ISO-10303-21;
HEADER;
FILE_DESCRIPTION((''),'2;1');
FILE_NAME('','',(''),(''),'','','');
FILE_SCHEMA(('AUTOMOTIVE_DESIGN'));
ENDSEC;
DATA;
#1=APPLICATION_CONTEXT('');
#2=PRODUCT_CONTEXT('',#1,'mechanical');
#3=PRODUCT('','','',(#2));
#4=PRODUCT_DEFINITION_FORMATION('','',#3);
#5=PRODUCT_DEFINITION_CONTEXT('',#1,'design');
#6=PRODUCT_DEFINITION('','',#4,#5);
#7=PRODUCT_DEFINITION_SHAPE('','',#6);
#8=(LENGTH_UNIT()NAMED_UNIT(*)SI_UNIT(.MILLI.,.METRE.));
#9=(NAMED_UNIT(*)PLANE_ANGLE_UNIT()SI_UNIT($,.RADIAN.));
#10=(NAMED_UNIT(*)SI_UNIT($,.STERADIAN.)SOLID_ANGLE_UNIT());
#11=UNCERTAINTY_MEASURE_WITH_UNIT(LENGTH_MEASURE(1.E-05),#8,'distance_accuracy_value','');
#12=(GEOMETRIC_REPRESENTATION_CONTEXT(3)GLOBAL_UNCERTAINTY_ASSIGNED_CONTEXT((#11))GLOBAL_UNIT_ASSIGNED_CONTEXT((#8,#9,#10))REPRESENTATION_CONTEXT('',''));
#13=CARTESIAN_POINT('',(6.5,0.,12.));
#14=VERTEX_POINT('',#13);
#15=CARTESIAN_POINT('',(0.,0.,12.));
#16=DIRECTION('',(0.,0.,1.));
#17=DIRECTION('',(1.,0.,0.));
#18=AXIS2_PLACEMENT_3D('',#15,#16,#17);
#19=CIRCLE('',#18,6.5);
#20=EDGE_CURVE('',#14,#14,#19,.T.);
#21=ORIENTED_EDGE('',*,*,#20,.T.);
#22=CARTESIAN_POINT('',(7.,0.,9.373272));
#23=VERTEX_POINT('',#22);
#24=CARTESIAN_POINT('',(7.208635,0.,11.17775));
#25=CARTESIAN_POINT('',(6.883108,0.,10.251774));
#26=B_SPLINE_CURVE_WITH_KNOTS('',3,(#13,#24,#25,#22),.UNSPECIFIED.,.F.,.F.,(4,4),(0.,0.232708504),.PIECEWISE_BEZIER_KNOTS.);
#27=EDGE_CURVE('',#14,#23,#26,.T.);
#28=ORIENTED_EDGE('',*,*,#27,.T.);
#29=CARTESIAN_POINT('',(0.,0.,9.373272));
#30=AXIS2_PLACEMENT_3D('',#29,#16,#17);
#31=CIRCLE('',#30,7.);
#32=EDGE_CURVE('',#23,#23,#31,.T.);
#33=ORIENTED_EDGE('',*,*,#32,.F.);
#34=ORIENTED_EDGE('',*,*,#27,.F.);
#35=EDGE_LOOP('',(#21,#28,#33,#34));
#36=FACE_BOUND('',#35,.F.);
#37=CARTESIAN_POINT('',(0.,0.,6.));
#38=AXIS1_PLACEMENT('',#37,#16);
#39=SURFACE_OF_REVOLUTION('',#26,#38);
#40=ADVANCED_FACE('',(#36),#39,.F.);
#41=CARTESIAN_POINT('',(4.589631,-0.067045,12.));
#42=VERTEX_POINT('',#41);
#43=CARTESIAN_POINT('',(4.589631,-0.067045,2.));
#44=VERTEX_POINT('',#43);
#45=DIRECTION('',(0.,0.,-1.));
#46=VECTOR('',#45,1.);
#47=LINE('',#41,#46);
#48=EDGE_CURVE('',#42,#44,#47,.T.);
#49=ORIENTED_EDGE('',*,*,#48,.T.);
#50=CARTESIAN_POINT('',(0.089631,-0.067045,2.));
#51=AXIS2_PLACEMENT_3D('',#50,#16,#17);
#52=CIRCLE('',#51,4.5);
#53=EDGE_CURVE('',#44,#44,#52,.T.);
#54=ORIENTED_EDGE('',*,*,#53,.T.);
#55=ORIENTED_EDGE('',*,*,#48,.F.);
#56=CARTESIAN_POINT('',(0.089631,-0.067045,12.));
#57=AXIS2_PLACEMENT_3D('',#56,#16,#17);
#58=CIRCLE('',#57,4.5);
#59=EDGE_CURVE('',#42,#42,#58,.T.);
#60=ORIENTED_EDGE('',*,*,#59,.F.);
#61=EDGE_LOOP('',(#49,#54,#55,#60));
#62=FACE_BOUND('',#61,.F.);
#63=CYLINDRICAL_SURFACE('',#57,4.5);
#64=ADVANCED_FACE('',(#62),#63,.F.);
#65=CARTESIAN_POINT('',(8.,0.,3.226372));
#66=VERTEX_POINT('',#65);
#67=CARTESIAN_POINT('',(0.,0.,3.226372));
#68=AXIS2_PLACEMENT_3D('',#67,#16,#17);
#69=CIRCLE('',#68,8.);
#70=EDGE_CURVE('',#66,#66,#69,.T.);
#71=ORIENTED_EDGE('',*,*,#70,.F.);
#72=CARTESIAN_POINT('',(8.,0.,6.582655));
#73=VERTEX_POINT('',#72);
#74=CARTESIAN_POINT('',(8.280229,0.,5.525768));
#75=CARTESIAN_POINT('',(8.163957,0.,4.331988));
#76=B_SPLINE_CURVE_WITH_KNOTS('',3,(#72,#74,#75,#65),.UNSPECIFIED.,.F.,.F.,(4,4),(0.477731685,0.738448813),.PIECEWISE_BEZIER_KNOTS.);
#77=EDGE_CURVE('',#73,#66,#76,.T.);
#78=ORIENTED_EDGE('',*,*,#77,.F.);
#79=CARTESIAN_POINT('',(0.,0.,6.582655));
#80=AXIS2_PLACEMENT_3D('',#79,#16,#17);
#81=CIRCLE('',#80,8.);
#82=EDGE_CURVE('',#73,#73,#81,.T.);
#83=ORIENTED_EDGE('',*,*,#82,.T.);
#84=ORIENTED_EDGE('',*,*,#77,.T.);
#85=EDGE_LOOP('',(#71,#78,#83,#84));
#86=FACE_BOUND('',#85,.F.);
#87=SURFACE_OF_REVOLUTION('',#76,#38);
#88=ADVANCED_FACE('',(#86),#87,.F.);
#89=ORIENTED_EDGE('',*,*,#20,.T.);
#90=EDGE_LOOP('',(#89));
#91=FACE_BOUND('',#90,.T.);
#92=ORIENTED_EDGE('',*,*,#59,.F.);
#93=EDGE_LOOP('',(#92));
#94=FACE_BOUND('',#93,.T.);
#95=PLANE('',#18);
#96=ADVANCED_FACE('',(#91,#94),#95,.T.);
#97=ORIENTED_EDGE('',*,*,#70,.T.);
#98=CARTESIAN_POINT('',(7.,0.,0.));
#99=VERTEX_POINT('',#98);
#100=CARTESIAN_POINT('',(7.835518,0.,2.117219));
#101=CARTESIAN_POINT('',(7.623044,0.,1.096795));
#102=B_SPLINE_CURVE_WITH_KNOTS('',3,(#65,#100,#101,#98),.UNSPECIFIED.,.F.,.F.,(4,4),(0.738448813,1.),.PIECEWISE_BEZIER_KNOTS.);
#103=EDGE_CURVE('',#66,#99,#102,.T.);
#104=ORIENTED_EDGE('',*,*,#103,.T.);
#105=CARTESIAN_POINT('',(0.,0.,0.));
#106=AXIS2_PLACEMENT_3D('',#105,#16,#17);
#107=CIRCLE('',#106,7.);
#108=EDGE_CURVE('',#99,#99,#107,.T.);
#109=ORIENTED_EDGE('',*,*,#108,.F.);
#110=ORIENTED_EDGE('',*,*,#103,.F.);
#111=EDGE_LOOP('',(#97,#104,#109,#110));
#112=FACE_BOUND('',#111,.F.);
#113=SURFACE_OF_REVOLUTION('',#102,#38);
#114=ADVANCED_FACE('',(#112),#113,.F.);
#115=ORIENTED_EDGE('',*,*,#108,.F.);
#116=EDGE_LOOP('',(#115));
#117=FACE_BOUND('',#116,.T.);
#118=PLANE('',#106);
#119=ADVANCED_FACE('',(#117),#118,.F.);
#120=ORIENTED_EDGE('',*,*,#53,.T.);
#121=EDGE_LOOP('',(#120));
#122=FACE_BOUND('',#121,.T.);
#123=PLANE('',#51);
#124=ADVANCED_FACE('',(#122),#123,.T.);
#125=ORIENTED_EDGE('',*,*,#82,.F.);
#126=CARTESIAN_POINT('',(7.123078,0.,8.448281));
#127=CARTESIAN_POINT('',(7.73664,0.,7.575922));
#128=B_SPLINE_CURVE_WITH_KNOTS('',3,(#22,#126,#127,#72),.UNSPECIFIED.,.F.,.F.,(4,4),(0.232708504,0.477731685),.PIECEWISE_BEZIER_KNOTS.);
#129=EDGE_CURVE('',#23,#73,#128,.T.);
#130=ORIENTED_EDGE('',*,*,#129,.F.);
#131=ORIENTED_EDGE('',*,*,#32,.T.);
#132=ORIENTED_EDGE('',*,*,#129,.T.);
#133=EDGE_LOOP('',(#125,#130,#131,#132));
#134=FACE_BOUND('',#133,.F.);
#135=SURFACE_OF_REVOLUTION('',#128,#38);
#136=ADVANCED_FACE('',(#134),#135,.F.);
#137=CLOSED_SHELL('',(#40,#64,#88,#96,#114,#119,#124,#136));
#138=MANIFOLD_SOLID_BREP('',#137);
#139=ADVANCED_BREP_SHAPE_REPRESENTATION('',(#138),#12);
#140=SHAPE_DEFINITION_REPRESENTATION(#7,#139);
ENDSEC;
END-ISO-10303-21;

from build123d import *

# Parameters (mm, degrees)
F2_R     = 4.5
F3_DEPTH = 10


with BuildPart() as f1:
    # F0 (on Front) → F1 (revolve)
    with BuildSketch(Plane.XZ):
        with BuildLine():
            Line((0, 3.2263717148), (0, 0))
            Line((0, 0), (7, 0))
            add(Edge.make_bspline(
                [(8, 3.2263717148), (7.8355180596, 2.1172188949), (7.6230442191, 1.0967952544), (7, 0)],
                knots=[0.7384488125, 0.7384488125, 0.7384488125, 0.7384488125, 1, 1, 1, 1], degree=3))
            Line((8, 3.2263717148), (0, 3.2263717148))
        make_face()
        with BuildLine():
            Line((0, 6.5826545469), (0, 3.2263717148))
            Line((0, 3.2263717148), (8, 3.2263717148))
            add(Edge.make_bspline(
                [(8, 6.5826545469), (8.2802285425, 5.5257675864), (8.163957424, 4.3319875582), (8, 3.2263717148)],
                knots=[0.4777316854, 0.4777316854, 0.4777316854, 0.4777316854, 0.7384488125, 0.7384488125, 0.7384488125, 0.7384488125], degree=3))
            Line((8, 6.5826545469), (0, 6.5826545469))
        make_face()
        with BuildLine():
            Line((0, 9.3732718378), (0, 6.5826545469))
            Line((0, 6.5826545469), (8, 6.5826545469))
            add(Edge.make_bspline(
                [(7, 9.3732718378), (7.1230782609, 8.4482807569), (7.7366398984, 7.5759218809), (8, 6.5826545469)],
                knots=[0.2327085037, 0.2327085037, 0.2327085037, 0.2327085037, 0.4777316854, 0.4777316854, 0.4777316854, 0.4777316854], degree=3))
            Line((7, 9.3732718378), (0, 9.3732718378))
        make_face()
        with BuildLine():
            Line((0, 12), (0, 9.3732718378))
            Line((0, 9.3732718378), (7, 9.3732718378))
            add(Edge.make_bspline(
                [(6.5, 12), (7.2086348102, 11.1777499536), (6.8831075585, 10.2517735735), (7, 9.3732718378)],
                knots=[0, 0, 0, 0, 0.2327085037, 0.2327085037, 0.2327085037, 0.2327085037], degree=3))
            Line((6.5, 12), (0, 12))
        make_face()
    revolve(axis=Axis((0, 0, 6), (0, 0, 1)))

    # F2 (on face) → F3 (cut)
    with BuildSketch(Plane.XY.offset(12)):
        with Locations((0.0896312558, -0.0670451336)):
            Circle(F2_R)
    extrude(amount=-F3_DEPTH, mode=Mode.SUBTRACT)


solid = f1.part
